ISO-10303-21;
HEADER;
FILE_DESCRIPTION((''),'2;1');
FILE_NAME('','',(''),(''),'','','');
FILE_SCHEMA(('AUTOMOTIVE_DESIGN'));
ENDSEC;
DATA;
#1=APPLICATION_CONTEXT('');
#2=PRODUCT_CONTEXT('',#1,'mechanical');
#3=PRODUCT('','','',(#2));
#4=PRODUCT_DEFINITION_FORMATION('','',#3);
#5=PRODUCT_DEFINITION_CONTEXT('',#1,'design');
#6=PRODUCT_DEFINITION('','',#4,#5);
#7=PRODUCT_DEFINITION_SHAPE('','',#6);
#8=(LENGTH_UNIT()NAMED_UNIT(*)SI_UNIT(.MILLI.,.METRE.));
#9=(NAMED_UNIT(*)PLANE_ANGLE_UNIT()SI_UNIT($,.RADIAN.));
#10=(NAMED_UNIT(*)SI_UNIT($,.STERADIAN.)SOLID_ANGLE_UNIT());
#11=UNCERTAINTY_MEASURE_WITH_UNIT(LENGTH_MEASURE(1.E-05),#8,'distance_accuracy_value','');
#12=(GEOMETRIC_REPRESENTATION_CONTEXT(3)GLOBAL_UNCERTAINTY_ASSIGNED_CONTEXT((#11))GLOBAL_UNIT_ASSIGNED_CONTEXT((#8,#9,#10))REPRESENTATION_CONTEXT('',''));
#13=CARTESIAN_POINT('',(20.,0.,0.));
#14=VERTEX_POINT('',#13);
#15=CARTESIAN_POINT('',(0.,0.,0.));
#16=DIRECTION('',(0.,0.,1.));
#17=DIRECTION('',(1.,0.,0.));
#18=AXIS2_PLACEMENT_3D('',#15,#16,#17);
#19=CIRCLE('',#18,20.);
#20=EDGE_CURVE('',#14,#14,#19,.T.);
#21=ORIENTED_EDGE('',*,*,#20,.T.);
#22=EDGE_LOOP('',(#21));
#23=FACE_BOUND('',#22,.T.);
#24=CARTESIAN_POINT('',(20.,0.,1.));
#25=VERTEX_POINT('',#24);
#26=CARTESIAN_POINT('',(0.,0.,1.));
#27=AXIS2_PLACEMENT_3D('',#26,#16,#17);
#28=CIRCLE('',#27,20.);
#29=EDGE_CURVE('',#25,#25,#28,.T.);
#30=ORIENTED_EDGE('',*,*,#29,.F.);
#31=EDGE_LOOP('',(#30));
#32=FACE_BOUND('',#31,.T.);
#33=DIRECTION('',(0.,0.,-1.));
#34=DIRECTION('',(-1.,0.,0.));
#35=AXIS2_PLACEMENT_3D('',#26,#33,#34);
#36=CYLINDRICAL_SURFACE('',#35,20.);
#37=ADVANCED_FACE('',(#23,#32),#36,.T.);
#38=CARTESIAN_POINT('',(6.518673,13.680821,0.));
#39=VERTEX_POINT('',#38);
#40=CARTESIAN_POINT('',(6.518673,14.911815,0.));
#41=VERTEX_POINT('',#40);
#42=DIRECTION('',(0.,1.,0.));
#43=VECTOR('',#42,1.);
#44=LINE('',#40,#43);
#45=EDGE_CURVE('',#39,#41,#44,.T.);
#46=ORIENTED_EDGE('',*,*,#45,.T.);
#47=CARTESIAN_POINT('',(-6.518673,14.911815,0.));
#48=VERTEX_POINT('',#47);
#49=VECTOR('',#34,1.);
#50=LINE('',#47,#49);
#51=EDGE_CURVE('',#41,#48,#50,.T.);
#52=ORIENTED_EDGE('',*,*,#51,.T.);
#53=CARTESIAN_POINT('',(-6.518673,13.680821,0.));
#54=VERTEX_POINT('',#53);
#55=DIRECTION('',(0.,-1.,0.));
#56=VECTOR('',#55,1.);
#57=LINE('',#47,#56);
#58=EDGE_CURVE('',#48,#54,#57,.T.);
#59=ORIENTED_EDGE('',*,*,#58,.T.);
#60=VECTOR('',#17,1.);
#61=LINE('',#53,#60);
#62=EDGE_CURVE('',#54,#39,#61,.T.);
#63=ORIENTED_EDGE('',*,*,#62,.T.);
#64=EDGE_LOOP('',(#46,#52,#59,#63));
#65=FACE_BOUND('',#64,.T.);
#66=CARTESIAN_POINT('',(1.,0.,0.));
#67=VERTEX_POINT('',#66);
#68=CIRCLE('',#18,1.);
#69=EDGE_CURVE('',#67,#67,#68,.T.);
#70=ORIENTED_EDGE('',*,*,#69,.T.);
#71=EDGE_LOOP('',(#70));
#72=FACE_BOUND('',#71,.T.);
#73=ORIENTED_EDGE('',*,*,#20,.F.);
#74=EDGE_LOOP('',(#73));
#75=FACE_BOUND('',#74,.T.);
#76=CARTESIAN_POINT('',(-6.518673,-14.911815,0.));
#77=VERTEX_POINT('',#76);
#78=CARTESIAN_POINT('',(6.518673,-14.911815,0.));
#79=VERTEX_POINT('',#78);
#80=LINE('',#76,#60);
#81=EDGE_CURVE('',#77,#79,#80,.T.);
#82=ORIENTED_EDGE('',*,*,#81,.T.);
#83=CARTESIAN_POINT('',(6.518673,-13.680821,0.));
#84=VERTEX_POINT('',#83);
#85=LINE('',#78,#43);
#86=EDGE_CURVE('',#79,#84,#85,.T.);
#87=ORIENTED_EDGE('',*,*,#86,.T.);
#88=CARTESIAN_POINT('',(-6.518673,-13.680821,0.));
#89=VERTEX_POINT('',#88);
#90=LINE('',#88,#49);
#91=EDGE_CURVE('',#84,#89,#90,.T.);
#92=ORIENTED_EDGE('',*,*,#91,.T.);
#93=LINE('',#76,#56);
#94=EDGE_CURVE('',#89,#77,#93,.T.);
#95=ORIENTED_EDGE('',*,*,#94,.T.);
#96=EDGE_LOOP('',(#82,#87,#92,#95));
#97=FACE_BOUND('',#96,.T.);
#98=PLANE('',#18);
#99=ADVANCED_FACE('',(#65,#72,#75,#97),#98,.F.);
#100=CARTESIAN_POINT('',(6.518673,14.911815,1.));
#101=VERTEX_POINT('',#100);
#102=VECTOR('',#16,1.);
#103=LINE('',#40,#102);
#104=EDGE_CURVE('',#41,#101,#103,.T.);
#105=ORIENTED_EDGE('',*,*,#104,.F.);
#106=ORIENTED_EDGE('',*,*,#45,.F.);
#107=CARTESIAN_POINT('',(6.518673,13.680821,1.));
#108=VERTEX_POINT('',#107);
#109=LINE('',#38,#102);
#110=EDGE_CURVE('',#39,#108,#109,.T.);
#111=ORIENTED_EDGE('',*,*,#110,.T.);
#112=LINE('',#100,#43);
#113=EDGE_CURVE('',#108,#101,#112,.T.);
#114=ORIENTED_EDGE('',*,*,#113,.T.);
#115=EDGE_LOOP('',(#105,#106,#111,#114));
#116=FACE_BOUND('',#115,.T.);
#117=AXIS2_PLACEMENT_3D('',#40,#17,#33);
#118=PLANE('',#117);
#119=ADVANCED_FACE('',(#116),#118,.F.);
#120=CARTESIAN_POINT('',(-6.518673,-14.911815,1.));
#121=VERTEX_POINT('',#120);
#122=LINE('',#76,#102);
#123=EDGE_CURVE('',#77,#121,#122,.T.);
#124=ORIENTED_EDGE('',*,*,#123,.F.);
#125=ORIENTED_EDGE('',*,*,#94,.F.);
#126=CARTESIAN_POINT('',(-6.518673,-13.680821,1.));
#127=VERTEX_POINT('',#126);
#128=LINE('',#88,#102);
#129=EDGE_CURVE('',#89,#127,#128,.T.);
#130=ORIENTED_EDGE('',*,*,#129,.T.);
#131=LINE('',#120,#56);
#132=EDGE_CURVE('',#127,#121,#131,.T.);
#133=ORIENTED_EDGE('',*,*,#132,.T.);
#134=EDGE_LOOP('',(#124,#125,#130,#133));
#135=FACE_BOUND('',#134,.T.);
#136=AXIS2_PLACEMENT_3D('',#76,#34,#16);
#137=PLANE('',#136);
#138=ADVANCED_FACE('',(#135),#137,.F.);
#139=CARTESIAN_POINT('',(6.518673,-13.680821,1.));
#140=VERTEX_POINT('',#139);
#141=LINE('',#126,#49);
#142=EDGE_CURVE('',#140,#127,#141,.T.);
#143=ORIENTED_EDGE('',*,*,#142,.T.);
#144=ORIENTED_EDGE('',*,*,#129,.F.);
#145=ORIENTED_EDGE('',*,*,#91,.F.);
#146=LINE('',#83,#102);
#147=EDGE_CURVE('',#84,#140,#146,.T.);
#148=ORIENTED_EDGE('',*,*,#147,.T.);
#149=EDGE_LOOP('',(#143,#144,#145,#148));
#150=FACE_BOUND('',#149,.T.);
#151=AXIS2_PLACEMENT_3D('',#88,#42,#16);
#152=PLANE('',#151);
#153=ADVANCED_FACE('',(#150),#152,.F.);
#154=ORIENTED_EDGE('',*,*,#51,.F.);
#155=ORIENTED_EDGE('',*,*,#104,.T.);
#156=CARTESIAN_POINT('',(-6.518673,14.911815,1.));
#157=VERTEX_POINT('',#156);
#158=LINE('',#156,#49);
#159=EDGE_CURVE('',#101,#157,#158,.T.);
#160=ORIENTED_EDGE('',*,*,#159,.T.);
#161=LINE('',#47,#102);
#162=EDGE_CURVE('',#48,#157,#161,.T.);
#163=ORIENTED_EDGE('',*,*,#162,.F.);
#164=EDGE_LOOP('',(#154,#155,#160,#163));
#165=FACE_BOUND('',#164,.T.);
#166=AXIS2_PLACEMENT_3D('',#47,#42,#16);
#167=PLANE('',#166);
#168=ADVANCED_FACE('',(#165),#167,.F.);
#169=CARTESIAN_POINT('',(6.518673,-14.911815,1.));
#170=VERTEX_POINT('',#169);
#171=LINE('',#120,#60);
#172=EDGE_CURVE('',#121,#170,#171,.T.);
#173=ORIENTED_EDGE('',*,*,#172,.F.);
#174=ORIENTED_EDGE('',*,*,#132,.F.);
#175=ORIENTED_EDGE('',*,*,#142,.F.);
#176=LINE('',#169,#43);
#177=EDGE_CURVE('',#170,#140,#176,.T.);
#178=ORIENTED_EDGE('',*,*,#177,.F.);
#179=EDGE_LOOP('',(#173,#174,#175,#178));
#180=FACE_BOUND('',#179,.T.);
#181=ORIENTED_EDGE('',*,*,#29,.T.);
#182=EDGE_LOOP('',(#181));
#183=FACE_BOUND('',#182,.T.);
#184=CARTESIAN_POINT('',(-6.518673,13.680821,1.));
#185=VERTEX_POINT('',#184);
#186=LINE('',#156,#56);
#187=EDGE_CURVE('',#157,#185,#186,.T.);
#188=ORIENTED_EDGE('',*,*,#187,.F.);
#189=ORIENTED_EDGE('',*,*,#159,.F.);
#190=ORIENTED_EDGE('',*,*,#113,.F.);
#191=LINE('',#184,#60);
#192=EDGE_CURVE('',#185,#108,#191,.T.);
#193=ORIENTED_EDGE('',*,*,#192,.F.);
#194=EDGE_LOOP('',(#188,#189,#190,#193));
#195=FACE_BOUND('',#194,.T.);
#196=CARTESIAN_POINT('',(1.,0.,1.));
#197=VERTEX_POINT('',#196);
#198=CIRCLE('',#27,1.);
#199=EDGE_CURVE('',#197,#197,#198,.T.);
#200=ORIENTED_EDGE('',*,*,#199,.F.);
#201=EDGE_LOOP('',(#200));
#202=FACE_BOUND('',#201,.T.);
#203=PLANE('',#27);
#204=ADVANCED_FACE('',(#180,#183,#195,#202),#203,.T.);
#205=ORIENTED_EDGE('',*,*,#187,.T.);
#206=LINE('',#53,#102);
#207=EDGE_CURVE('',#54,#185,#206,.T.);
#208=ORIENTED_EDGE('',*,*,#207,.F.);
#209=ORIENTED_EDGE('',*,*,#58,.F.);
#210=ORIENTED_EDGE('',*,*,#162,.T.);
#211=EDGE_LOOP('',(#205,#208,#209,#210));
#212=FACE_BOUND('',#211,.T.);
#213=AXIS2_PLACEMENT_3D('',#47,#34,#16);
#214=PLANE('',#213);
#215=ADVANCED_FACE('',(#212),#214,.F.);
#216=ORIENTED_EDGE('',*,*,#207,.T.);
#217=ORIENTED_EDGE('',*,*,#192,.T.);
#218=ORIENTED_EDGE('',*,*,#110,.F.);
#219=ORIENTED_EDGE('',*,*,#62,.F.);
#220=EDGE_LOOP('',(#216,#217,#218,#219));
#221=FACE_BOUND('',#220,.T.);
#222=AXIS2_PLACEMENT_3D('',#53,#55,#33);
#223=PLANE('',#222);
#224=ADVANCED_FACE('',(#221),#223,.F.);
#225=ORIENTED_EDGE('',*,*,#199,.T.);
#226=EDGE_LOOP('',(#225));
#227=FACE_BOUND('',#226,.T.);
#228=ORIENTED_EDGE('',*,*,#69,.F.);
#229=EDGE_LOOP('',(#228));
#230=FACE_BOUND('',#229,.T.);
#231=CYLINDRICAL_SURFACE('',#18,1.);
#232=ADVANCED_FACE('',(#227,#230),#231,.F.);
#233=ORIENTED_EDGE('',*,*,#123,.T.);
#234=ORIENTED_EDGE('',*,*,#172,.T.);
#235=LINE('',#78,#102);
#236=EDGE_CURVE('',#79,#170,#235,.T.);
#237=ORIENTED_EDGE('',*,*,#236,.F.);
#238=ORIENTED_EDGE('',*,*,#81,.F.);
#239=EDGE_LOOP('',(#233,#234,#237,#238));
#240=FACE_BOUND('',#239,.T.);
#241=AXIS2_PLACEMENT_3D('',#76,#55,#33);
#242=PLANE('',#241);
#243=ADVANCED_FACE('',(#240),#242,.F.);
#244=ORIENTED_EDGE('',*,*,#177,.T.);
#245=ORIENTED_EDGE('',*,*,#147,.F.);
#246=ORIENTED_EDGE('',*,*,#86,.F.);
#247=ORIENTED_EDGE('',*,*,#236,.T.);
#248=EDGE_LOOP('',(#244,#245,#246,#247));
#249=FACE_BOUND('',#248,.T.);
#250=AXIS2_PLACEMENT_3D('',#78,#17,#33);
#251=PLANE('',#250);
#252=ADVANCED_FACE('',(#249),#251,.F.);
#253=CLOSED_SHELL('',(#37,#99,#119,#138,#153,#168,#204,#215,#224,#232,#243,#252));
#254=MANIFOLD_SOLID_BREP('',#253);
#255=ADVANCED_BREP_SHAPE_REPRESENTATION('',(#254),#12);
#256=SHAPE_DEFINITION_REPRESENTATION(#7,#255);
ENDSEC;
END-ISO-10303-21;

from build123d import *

# Parameters (mm, degrees)
SKETCH1_R           = 20
BOSS_EXTRUDE1_DEPTH = 1
SKETCH2_W           = 13.037346626
SKETCH2_H           = 1.230994102
CUT_EXTRUDE1_DEPTH  = 1
SKETCH3_R           = 1
CUT_EXTRUDE2_DEPTH  = 1


with BuildPart() as part:
    # Sketch1 → Boss-Extrude1 (new body)
    with BuildSketch(Plane.XY):
        Circle(SKETCH1_R)
    extrude(amount=BOSS_EXTRUDE1_DEPTH)

    # Sketch2 → Cut-Extrude1 (cut)
    with BuildSketch(Plane.XY.offset(1)):
        with Locations((0, -14.296317866)):
            Rectangle(SKETCH2_W, SKETCH2_H)
        with Locations((0, 14.296317866)):
            Rectangle(SKETCH2_W, SKETCH2_H)
    extrude(amount=-CUT_EXTRUDE1_DEPTH, mode=Mode.SUBTRACT)

    # Sketch3 → Cut-Extrude2 (cut)
    with BuildSketch(Plane.XY.offset(1)):
        Circle(SKETCH3_R)
    extrude(amount=-CUT_EXTRUDE2_DEPTH, mode=Mode.SUBTRACT)


solid = part.part
